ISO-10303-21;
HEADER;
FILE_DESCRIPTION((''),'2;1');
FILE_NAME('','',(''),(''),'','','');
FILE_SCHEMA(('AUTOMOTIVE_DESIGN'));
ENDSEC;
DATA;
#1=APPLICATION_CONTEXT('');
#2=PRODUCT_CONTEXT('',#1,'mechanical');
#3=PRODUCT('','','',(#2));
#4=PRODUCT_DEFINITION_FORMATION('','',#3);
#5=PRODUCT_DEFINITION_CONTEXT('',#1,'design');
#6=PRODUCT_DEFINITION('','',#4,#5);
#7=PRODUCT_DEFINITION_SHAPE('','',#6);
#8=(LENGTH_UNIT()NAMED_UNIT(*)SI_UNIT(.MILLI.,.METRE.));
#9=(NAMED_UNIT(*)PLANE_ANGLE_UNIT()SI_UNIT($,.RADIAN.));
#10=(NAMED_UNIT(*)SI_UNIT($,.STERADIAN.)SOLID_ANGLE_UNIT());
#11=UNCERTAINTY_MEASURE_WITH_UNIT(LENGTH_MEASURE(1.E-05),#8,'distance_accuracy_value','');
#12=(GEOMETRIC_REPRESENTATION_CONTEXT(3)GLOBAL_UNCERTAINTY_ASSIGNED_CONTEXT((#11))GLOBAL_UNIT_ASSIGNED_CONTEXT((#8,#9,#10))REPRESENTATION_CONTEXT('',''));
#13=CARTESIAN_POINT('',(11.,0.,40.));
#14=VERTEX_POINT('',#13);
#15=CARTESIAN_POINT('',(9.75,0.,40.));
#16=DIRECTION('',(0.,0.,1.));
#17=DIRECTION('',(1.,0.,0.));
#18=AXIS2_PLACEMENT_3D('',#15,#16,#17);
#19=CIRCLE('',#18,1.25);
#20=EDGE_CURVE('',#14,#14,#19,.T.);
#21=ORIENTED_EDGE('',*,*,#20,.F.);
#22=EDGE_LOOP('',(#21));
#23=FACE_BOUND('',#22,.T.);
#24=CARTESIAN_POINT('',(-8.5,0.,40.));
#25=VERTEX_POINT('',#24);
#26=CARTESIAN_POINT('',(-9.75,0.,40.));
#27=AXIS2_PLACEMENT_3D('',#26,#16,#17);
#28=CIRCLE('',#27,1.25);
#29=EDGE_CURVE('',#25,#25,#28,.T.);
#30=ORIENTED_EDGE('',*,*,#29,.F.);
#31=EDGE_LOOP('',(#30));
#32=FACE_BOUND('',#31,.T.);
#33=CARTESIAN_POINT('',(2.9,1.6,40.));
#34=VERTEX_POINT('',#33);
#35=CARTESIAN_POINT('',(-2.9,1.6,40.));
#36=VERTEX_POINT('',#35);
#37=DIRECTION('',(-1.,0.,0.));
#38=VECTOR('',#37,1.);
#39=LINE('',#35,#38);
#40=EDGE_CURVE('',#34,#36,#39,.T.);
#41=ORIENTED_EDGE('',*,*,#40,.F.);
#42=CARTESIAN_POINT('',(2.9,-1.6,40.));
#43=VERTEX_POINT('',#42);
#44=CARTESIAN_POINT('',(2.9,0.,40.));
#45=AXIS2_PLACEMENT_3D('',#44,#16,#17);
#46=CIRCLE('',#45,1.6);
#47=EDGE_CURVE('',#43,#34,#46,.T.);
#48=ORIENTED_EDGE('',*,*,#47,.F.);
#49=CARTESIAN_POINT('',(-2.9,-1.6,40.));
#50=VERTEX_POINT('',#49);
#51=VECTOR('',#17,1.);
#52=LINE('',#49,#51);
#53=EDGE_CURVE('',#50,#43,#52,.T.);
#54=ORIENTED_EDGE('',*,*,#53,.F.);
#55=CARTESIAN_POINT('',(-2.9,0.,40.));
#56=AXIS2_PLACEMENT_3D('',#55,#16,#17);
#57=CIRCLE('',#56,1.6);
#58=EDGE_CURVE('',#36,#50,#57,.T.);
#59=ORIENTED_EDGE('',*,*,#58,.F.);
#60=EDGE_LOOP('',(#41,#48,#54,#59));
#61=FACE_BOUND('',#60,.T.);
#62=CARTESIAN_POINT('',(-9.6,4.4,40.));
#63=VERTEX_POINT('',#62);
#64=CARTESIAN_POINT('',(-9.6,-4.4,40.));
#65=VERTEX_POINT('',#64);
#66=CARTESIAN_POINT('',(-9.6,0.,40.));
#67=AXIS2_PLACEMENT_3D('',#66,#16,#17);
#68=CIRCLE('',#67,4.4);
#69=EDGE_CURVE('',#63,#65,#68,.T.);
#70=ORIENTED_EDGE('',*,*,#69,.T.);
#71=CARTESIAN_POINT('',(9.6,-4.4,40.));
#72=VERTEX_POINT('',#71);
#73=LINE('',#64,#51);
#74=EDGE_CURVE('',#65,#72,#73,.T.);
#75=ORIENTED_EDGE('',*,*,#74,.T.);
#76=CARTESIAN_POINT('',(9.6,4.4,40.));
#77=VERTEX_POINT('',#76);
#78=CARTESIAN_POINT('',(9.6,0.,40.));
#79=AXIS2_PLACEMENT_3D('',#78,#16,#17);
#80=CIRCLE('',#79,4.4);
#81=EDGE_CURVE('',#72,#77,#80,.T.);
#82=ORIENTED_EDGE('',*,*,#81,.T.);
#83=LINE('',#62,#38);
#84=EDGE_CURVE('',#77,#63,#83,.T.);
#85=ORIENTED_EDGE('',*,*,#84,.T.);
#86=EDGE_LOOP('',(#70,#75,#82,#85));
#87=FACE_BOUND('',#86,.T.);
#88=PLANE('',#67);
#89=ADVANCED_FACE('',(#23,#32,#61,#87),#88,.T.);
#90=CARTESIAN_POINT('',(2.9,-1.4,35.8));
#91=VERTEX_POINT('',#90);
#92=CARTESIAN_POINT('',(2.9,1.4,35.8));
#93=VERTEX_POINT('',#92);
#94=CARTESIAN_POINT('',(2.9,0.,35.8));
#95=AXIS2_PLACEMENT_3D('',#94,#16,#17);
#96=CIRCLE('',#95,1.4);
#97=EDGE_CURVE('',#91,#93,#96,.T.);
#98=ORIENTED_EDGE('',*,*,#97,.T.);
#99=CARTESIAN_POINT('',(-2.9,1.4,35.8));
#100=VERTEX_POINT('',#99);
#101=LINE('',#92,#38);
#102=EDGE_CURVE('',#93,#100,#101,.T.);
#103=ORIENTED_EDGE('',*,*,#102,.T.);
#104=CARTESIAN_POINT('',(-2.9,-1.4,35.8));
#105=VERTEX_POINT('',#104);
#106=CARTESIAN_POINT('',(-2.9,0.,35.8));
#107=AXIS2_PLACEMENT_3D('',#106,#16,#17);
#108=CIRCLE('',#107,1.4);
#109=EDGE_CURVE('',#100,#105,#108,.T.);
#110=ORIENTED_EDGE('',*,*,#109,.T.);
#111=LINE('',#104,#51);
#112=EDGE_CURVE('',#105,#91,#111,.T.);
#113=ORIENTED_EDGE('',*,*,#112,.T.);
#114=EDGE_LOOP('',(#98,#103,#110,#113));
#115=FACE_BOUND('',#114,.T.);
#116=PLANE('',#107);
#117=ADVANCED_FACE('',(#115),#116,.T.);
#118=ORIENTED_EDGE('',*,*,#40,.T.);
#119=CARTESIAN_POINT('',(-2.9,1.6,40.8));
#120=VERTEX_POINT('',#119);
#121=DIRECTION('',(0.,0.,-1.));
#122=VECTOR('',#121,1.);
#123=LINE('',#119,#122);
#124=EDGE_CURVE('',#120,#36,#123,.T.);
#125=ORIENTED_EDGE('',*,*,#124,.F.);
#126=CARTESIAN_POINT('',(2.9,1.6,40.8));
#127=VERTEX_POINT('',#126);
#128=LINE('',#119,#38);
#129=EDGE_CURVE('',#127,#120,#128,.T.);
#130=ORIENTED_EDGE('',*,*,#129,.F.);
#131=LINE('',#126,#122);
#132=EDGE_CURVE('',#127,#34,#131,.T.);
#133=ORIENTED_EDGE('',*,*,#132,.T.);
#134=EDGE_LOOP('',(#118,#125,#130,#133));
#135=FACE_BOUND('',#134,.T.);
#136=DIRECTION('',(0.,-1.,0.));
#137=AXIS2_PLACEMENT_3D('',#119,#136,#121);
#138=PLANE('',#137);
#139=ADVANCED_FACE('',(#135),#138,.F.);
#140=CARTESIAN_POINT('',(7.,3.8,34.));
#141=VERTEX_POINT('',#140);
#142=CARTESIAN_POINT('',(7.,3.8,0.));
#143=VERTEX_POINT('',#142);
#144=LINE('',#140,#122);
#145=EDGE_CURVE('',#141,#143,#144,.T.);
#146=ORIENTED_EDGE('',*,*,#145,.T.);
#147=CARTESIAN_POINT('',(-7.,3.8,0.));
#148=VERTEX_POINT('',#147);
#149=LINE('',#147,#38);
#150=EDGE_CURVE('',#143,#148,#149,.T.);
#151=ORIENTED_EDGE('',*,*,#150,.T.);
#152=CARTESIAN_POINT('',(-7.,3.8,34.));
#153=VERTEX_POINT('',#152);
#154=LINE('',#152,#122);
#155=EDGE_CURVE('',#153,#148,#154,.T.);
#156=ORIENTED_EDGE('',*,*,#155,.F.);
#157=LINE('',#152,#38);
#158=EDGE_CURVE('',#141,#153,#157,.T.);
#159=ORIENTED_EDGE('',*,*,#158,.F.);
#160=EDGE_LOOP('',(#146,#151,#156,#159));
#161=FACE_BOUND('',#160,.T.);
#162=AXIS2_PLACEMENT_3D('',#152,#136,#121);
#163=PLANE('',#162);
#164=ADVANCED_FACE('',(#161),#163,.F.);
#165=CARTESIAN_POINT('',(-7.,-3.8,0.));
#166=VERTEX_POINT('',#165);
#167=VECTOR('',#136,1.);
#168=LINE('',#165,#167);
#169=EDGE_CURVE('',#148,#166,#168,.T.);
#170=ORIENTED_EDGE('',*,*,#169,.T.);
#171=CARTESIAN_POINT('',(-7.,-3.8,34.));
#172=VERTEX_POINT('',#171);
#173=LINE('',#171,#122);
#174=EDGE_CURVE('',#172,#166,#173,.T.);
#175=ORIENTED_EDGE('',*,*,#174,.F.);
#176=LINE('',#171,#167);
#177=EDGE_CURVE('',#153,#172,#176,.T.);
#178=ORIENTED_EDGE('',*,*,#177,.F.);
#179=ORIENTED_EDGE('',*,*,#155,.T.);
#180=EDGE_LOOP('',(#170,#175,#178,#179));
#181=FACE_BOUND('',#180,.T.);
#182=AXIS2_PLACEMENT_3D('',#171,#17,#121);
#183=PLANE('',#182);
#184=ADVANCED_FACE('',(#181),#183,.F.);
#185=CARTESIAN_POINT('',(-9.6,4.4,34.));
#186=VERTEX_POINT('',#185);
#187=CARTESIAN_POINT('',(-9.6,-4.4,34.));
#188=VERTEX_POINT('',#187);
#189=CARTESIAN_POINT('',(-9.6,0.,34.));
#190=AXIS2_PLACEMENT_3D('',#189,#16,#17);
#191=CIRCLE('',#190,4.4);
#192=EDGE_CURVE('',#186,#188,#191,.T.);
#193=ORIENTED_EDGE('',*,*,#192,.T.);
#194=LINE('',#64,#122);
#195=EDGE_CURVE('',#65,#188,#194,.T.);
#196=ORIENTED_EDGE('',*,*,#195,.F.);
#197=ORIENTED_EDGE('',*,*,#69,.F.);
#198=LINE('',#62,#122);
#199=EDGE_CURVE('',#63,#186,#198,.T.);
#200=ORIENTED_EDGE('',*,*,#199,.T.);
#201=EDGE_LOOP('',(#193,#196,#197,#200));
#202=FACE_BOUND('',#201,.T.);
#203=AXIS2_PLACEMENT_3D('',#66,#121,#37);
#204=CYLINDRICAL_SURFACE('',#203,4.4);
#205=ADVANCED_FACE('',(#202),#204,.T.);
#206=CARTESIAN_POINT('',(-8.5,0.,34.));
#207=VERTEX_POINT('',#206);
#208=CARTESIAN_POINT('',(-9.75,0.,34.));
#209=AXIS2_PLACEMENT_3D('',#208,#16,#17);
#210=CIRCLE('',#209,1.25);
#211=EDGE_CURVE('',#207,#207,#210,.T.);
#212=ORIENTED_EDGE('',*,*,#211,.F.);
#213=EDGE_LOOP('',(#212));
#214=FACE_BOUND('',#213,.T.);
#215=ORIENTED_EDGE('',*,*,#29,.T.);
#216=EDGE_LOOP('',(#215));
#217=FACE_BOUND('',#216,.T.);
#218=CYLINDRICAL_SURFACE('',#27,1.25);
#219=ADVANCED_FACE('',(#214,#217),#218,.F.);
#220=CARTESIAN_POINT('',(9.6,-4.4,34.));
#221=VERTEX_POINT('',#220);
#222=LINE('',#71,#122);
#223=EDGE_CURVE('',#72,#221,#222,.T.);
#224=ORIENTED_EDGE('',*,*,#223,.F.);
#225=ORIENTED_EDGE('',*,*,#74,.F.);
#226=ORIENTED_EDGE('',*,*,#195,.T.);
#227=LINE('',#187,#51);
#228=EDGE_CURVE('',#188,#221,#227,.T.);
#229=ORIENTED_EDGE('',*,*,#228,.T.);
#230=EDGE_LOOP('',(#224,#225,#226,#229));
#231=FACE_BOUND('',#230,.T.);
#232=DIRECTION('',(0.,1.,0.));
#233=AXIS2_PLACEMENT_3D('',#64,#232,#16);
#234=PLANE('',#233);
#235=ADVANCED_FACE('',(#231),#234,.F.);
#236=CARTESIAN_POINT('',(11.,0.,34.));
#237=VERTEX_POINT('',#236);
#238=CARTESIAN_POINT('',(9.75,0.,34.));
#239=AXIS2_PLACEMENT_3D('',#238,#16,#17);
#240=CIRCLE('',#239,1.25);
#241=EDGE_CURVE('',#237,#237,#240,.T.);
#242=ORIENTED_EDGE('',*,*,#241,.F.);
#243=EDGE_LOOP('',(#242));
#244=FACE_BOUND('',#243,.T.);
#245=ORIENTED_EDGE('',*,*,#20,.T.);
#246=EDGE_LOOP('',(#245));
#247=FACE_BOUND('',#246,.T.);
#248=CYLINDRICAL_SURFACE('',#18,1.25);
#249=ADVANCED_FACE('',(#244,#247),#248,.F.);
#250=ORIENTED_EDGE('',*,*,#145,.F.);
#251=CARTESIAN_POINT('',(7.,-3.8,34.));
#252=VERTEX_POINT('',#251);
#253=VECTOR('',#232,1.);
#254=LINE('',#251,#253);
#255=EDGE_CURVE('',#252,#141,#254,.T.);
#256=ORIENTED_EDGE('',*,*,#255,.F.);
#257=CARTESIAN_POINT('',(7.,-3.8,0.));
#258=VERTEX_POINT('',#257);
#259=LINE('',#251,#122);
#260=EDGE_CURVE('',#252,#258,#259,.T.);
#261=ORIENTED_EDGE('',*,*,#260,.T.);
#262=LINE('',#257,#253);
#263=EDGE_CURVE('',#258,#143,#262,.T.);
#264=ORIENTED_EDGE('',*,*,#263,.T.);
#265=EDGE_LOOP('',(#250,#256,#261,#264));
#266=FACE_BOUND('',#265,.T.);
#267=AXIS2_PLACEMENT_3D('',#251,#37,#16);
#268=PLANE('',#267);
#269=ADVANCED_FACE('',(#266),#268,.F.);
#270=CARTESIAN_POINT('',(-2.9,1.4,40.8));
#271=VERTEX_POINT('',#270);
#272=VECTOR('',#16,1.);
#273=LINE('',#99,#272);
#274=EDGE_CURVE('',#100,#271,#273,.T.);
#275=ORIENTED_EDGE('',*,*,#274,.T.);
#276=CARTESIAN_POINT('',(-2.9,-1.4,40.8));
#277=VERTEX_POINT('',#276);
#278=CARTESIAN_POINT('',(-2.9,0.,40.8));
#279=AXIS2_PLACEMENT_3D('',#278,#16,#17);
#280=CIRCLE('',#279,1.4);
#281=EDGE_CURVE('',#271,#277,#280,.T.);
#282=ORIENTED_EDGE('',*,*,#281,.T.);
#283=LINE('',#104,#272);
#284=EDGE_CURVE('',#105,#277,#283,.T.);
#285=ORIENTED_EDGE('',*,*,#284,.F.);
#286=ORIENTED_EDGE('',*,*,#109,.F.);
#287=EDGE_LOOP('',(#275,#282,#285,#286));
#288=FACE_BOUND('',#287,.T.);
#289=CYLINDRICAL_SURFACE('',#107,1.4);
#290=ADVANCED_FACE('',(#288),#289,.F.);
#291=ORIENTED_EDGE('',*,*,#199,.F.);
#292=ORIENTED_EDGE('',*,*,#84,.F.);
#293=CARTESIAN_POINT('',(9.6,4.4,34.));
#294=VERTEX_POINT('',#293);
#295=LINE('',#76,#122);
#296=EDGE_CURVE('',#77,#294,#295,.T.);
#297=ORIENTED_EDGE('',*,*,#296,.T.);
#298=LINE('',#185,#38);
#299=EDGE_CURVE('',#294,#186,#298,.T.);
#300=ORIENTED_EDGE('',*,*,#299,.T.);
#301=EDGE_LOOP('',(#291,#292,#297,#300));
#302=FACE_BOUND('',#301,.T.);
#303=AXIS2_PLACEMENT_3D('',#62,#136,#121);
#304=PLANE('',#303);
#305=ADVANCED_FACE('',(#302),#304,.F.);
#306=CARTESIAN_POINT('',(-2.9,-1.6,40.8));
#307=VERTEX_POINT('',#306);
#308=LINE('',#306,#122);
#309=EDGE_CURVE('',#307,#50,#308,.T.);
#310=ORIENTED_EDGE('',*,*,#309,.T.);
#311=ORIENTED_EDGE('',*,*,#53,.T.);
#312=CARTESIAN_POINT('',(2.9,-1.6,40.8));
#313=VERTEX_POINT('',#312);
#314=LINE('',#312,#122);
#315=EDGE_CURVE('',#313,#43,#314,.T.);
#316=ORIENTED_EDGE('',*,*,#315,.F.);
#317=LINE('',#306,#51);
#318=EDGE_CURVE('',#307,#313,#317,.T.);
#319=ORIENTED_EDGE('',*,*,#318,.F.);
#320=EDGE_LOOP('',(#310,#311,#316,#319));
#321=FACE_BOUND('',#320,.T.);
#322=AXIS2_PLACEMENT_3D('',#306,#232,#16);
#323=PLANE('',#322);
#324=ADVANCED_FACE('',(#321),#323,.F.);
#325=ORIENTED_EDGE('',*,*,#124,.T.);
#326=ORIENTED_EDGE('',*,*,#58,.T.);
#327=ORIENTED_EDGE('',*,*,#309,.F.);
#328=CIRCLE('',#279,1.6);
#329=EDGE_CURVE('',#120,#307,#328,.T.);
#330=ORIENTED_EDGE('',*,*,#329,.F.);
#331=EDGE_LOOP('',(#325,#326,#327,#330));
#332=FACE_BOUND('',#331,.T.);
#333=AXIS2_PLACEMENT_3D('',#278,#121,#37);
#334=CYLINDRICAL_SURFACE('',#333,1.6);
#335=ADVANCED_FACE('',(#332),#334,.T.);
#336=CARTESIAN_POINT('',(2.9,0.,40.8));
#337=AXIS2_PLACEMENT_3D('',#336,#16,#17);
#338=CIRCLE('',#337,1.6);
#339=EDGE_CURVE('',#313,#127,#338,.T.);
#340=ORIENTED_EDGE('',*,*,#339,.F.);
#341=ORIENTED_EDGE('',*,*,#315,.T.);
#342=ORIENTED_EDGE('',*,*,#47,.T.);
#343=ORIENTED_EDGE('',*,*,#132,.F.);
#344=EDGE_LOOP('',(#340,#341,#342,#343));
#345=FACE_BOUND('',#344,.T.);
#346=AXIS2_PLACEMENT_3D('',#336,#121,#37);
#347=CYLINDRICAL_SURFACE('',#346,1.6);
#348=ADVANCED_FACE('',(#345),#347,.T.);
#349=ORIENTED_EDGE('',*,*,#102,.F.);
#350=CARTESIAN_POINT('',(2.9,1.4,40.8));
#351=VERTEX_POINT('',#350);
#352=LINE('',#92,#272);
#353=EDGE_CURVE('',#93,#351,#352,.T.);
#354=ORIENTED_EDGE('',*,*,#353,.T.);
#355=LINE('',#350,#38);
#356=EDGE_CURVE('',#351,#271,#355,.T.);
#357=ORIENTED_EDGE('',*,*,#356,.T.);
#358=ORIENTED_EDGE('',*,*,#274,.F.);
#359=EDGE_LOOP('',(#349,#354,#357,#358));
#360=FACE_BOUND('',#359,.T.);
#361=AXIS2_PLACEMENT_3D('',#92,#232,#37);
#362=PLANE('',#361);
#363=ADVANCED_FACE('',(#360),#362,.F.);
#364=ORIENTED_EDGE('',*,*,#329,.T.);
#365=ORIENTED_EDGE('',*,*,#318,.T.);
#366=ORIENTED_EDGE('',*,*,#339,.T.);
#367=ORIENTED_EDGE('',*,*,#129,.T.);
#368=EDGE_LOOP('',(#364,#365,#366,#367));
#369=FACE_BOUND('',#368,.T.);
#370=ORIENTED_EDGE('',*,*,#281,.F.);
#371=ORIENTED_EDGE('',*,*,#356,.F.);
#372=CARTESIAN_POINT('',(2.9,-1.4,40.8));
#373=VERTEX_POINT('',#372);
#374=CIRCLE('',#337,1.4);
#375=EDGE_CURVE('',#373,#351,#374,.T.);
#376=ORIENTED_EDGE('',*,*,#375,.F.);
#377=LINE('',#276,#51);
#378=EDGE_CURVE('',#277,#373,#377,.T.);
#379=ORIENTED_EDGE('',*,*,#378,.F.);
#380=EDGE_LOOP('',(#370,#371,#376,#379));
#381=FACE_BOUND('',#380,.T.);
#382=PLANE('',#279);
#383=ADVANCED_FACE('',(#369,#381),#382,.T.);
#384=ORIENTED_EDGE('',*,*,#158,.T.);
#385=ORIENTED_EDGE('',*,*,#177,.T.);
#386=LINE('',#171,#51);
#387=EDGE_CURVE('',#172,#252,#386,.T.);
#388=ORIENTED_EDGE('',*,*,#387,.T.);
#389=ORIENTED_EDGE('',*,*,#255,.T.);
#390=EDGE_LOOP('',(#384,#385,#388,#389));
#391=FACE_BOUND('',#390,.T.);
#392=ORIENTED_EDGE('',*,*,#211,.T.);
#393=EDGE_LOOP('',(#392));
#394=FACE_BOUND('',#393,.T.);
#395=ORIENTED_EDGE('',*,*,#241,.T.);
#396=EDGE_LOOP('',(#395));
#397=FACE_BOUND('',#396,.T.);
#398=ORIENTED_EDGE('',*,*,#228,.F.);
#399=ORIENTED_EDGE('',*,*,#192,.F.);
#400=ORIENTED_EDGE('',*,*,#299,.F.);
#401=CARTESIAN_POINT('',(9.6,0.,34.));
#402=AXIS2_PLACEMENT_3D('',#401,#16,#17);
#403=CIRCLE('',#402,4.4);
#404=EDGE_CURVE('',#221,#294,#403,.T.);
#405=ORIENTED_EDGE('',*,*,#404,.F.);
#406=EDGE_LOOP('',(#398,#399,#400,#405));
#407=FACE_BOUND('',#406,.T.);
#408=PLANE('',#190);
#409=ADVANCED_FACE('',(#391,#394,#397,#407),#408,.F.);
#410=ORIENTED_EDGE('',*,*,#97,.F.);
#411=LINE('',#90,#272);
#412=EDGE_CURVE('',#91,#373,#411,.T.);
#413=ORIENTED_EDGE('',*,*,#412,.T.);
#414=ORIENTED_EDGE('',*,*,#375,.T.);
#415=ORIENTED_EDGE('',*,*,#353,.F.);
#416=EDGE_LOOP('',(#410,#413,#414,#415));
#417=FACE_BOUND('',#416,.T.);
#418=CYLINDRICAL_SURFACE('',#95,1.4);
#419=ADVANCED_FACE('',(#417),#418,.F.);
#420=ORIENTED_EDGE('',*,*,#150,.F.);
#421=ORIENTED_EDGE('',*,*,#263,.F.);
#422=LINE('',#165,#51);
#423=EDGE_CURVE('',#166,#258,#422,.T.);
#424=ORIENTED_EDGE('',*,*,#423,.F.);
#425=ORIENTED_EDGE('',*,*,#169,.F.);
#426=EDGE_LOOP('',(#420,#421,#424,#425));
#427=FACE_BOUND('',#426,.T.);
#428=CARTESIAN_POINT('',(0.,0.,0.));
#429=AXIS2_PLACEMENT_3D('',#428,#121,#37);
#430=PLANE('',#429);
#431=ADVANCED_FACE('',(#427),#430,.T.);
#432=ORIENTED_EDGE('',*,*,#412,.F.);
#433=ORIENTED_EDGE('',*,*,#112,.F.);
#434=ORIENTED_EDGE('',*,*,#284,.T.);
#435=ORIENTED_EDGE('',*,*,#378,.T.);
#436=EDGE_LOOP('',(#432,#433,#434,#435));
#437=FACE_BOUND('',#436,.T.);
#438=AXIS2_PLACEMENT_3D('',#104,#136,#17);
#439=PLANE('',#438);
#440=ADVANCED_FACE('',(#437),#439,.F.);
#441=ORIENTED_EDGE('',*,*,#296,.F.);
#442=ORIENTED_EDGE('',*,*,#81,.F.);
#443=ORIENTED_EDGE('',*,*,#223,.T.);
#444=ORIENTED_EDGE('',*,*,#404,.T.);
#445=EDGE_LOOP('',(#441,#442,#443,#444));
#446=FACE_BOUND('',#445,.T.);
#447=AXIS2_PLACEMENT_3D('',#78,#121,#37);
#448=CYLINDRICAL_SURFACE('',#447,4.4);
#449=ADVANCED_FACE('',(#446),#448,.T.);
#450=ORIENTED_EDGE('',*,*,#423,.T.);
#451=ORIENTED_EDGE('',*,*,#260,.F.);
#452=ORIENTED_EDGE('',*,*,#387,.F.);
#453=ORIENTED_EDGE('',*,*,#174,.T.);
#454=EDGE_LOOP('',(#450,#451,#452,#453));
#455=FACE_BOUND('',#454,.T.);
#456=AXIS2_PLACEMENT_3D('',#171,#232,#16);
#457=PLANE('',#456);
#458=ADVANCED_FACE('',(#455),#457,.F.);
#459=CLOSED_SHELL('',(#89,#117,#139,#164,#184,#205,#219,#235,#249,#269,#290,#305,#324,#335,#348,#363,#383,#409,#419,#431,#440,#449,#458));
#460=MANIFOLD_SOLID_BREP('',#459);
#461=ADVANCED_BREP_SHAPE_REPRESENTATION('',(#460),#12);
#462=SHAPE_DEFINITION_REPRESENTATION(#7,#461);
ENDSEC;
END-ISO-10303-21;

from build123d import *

# Parameters (mm, degrees)
SKETCH_1_W          = 14
SKETCH_1_H          = 7.6
EXTRUDE_1_DEPTH     = 34
EXTRUDE_2_DEPTH     = 6
EXTRUDE_3_DEPTH     = 0.8
CUT_EXTRUDE_1_DEPTH = 5
HOLE_WIZARD_M3_1_D  = 2.5


with BuildPart() as part:
    # 草图1 → 凸台-拉伸1 (new body)
    with BuildSketch(Plane.XY):
        Rectangle(SKETCH_1_W, SKETCH_1_H)
    extrude(amount=EXTRUDE_1_DEPTH)

    # 草图2 → 凸台-拉伸2 (add)
    with BuildSketch(Plane.XY.offset(34)):
        with BuildLine():
            Line((-9.6, 4.4), (9.6, 4.4))
            ThreePointArc((9.6, 4.4), (14, 0), (9.6, -4.4))
            Line((9.6, -4.4), (-9.6, -4.4))
            ThreePointArc((-9.6, -4.4), (-14, 0), (-9.6, 4.4))
        make_face()
    extrude(amount=EXTRUDE_2_DEPTH)

    # 草图3 → 凸台-拉伸3 (add)
    with BuildSketch(Plane.XY.offset(40)):
        with BuildLine():
            Line((-2.9, 1.6), (2.9, 1.6))
            ThreePointArc((2.9, 1.6), (4.5, 0), (2.9, -1.6))
            Line((2.9, -1.6), (-2.9, -1.6))
            ThreePointArc((-2.9, -1.6), (-4.5, 0), (-2.9, 1.6))
        make_face()
    extrude(amount=EXTRUDE_3_DEPTH)

    # 草图4 → 切除-拉伸1 (cut)
    with BuildSketch(Plane.XY.offset(40.8)):
        with BuildLine():
            Line((-2.9, -1.4), (2.9, -1.4))
            ThreePointArc((2.9, -1.4), (4.3, 0), (2.9, 1.4))
            Line((2.9, 1.4), (-2.9, 1.4))
            ThreePointArc((-2.9, 1.4), (-4.3, 0), (-2.9, -1.4))
        make_face()
    extrude(amount=-CUT_EXTRUDE_1_DEPTH, mode=Mode.SUBTRACT)

    # M3 螺纹孔1 (through all)
    with Locations(Plane.XY.offset(40)):
        with Locations((-9.75, 0), (9.75, 0)):
            Hole(HOLE_WIZARD_M3_1_D / 2)


solid = part.part
